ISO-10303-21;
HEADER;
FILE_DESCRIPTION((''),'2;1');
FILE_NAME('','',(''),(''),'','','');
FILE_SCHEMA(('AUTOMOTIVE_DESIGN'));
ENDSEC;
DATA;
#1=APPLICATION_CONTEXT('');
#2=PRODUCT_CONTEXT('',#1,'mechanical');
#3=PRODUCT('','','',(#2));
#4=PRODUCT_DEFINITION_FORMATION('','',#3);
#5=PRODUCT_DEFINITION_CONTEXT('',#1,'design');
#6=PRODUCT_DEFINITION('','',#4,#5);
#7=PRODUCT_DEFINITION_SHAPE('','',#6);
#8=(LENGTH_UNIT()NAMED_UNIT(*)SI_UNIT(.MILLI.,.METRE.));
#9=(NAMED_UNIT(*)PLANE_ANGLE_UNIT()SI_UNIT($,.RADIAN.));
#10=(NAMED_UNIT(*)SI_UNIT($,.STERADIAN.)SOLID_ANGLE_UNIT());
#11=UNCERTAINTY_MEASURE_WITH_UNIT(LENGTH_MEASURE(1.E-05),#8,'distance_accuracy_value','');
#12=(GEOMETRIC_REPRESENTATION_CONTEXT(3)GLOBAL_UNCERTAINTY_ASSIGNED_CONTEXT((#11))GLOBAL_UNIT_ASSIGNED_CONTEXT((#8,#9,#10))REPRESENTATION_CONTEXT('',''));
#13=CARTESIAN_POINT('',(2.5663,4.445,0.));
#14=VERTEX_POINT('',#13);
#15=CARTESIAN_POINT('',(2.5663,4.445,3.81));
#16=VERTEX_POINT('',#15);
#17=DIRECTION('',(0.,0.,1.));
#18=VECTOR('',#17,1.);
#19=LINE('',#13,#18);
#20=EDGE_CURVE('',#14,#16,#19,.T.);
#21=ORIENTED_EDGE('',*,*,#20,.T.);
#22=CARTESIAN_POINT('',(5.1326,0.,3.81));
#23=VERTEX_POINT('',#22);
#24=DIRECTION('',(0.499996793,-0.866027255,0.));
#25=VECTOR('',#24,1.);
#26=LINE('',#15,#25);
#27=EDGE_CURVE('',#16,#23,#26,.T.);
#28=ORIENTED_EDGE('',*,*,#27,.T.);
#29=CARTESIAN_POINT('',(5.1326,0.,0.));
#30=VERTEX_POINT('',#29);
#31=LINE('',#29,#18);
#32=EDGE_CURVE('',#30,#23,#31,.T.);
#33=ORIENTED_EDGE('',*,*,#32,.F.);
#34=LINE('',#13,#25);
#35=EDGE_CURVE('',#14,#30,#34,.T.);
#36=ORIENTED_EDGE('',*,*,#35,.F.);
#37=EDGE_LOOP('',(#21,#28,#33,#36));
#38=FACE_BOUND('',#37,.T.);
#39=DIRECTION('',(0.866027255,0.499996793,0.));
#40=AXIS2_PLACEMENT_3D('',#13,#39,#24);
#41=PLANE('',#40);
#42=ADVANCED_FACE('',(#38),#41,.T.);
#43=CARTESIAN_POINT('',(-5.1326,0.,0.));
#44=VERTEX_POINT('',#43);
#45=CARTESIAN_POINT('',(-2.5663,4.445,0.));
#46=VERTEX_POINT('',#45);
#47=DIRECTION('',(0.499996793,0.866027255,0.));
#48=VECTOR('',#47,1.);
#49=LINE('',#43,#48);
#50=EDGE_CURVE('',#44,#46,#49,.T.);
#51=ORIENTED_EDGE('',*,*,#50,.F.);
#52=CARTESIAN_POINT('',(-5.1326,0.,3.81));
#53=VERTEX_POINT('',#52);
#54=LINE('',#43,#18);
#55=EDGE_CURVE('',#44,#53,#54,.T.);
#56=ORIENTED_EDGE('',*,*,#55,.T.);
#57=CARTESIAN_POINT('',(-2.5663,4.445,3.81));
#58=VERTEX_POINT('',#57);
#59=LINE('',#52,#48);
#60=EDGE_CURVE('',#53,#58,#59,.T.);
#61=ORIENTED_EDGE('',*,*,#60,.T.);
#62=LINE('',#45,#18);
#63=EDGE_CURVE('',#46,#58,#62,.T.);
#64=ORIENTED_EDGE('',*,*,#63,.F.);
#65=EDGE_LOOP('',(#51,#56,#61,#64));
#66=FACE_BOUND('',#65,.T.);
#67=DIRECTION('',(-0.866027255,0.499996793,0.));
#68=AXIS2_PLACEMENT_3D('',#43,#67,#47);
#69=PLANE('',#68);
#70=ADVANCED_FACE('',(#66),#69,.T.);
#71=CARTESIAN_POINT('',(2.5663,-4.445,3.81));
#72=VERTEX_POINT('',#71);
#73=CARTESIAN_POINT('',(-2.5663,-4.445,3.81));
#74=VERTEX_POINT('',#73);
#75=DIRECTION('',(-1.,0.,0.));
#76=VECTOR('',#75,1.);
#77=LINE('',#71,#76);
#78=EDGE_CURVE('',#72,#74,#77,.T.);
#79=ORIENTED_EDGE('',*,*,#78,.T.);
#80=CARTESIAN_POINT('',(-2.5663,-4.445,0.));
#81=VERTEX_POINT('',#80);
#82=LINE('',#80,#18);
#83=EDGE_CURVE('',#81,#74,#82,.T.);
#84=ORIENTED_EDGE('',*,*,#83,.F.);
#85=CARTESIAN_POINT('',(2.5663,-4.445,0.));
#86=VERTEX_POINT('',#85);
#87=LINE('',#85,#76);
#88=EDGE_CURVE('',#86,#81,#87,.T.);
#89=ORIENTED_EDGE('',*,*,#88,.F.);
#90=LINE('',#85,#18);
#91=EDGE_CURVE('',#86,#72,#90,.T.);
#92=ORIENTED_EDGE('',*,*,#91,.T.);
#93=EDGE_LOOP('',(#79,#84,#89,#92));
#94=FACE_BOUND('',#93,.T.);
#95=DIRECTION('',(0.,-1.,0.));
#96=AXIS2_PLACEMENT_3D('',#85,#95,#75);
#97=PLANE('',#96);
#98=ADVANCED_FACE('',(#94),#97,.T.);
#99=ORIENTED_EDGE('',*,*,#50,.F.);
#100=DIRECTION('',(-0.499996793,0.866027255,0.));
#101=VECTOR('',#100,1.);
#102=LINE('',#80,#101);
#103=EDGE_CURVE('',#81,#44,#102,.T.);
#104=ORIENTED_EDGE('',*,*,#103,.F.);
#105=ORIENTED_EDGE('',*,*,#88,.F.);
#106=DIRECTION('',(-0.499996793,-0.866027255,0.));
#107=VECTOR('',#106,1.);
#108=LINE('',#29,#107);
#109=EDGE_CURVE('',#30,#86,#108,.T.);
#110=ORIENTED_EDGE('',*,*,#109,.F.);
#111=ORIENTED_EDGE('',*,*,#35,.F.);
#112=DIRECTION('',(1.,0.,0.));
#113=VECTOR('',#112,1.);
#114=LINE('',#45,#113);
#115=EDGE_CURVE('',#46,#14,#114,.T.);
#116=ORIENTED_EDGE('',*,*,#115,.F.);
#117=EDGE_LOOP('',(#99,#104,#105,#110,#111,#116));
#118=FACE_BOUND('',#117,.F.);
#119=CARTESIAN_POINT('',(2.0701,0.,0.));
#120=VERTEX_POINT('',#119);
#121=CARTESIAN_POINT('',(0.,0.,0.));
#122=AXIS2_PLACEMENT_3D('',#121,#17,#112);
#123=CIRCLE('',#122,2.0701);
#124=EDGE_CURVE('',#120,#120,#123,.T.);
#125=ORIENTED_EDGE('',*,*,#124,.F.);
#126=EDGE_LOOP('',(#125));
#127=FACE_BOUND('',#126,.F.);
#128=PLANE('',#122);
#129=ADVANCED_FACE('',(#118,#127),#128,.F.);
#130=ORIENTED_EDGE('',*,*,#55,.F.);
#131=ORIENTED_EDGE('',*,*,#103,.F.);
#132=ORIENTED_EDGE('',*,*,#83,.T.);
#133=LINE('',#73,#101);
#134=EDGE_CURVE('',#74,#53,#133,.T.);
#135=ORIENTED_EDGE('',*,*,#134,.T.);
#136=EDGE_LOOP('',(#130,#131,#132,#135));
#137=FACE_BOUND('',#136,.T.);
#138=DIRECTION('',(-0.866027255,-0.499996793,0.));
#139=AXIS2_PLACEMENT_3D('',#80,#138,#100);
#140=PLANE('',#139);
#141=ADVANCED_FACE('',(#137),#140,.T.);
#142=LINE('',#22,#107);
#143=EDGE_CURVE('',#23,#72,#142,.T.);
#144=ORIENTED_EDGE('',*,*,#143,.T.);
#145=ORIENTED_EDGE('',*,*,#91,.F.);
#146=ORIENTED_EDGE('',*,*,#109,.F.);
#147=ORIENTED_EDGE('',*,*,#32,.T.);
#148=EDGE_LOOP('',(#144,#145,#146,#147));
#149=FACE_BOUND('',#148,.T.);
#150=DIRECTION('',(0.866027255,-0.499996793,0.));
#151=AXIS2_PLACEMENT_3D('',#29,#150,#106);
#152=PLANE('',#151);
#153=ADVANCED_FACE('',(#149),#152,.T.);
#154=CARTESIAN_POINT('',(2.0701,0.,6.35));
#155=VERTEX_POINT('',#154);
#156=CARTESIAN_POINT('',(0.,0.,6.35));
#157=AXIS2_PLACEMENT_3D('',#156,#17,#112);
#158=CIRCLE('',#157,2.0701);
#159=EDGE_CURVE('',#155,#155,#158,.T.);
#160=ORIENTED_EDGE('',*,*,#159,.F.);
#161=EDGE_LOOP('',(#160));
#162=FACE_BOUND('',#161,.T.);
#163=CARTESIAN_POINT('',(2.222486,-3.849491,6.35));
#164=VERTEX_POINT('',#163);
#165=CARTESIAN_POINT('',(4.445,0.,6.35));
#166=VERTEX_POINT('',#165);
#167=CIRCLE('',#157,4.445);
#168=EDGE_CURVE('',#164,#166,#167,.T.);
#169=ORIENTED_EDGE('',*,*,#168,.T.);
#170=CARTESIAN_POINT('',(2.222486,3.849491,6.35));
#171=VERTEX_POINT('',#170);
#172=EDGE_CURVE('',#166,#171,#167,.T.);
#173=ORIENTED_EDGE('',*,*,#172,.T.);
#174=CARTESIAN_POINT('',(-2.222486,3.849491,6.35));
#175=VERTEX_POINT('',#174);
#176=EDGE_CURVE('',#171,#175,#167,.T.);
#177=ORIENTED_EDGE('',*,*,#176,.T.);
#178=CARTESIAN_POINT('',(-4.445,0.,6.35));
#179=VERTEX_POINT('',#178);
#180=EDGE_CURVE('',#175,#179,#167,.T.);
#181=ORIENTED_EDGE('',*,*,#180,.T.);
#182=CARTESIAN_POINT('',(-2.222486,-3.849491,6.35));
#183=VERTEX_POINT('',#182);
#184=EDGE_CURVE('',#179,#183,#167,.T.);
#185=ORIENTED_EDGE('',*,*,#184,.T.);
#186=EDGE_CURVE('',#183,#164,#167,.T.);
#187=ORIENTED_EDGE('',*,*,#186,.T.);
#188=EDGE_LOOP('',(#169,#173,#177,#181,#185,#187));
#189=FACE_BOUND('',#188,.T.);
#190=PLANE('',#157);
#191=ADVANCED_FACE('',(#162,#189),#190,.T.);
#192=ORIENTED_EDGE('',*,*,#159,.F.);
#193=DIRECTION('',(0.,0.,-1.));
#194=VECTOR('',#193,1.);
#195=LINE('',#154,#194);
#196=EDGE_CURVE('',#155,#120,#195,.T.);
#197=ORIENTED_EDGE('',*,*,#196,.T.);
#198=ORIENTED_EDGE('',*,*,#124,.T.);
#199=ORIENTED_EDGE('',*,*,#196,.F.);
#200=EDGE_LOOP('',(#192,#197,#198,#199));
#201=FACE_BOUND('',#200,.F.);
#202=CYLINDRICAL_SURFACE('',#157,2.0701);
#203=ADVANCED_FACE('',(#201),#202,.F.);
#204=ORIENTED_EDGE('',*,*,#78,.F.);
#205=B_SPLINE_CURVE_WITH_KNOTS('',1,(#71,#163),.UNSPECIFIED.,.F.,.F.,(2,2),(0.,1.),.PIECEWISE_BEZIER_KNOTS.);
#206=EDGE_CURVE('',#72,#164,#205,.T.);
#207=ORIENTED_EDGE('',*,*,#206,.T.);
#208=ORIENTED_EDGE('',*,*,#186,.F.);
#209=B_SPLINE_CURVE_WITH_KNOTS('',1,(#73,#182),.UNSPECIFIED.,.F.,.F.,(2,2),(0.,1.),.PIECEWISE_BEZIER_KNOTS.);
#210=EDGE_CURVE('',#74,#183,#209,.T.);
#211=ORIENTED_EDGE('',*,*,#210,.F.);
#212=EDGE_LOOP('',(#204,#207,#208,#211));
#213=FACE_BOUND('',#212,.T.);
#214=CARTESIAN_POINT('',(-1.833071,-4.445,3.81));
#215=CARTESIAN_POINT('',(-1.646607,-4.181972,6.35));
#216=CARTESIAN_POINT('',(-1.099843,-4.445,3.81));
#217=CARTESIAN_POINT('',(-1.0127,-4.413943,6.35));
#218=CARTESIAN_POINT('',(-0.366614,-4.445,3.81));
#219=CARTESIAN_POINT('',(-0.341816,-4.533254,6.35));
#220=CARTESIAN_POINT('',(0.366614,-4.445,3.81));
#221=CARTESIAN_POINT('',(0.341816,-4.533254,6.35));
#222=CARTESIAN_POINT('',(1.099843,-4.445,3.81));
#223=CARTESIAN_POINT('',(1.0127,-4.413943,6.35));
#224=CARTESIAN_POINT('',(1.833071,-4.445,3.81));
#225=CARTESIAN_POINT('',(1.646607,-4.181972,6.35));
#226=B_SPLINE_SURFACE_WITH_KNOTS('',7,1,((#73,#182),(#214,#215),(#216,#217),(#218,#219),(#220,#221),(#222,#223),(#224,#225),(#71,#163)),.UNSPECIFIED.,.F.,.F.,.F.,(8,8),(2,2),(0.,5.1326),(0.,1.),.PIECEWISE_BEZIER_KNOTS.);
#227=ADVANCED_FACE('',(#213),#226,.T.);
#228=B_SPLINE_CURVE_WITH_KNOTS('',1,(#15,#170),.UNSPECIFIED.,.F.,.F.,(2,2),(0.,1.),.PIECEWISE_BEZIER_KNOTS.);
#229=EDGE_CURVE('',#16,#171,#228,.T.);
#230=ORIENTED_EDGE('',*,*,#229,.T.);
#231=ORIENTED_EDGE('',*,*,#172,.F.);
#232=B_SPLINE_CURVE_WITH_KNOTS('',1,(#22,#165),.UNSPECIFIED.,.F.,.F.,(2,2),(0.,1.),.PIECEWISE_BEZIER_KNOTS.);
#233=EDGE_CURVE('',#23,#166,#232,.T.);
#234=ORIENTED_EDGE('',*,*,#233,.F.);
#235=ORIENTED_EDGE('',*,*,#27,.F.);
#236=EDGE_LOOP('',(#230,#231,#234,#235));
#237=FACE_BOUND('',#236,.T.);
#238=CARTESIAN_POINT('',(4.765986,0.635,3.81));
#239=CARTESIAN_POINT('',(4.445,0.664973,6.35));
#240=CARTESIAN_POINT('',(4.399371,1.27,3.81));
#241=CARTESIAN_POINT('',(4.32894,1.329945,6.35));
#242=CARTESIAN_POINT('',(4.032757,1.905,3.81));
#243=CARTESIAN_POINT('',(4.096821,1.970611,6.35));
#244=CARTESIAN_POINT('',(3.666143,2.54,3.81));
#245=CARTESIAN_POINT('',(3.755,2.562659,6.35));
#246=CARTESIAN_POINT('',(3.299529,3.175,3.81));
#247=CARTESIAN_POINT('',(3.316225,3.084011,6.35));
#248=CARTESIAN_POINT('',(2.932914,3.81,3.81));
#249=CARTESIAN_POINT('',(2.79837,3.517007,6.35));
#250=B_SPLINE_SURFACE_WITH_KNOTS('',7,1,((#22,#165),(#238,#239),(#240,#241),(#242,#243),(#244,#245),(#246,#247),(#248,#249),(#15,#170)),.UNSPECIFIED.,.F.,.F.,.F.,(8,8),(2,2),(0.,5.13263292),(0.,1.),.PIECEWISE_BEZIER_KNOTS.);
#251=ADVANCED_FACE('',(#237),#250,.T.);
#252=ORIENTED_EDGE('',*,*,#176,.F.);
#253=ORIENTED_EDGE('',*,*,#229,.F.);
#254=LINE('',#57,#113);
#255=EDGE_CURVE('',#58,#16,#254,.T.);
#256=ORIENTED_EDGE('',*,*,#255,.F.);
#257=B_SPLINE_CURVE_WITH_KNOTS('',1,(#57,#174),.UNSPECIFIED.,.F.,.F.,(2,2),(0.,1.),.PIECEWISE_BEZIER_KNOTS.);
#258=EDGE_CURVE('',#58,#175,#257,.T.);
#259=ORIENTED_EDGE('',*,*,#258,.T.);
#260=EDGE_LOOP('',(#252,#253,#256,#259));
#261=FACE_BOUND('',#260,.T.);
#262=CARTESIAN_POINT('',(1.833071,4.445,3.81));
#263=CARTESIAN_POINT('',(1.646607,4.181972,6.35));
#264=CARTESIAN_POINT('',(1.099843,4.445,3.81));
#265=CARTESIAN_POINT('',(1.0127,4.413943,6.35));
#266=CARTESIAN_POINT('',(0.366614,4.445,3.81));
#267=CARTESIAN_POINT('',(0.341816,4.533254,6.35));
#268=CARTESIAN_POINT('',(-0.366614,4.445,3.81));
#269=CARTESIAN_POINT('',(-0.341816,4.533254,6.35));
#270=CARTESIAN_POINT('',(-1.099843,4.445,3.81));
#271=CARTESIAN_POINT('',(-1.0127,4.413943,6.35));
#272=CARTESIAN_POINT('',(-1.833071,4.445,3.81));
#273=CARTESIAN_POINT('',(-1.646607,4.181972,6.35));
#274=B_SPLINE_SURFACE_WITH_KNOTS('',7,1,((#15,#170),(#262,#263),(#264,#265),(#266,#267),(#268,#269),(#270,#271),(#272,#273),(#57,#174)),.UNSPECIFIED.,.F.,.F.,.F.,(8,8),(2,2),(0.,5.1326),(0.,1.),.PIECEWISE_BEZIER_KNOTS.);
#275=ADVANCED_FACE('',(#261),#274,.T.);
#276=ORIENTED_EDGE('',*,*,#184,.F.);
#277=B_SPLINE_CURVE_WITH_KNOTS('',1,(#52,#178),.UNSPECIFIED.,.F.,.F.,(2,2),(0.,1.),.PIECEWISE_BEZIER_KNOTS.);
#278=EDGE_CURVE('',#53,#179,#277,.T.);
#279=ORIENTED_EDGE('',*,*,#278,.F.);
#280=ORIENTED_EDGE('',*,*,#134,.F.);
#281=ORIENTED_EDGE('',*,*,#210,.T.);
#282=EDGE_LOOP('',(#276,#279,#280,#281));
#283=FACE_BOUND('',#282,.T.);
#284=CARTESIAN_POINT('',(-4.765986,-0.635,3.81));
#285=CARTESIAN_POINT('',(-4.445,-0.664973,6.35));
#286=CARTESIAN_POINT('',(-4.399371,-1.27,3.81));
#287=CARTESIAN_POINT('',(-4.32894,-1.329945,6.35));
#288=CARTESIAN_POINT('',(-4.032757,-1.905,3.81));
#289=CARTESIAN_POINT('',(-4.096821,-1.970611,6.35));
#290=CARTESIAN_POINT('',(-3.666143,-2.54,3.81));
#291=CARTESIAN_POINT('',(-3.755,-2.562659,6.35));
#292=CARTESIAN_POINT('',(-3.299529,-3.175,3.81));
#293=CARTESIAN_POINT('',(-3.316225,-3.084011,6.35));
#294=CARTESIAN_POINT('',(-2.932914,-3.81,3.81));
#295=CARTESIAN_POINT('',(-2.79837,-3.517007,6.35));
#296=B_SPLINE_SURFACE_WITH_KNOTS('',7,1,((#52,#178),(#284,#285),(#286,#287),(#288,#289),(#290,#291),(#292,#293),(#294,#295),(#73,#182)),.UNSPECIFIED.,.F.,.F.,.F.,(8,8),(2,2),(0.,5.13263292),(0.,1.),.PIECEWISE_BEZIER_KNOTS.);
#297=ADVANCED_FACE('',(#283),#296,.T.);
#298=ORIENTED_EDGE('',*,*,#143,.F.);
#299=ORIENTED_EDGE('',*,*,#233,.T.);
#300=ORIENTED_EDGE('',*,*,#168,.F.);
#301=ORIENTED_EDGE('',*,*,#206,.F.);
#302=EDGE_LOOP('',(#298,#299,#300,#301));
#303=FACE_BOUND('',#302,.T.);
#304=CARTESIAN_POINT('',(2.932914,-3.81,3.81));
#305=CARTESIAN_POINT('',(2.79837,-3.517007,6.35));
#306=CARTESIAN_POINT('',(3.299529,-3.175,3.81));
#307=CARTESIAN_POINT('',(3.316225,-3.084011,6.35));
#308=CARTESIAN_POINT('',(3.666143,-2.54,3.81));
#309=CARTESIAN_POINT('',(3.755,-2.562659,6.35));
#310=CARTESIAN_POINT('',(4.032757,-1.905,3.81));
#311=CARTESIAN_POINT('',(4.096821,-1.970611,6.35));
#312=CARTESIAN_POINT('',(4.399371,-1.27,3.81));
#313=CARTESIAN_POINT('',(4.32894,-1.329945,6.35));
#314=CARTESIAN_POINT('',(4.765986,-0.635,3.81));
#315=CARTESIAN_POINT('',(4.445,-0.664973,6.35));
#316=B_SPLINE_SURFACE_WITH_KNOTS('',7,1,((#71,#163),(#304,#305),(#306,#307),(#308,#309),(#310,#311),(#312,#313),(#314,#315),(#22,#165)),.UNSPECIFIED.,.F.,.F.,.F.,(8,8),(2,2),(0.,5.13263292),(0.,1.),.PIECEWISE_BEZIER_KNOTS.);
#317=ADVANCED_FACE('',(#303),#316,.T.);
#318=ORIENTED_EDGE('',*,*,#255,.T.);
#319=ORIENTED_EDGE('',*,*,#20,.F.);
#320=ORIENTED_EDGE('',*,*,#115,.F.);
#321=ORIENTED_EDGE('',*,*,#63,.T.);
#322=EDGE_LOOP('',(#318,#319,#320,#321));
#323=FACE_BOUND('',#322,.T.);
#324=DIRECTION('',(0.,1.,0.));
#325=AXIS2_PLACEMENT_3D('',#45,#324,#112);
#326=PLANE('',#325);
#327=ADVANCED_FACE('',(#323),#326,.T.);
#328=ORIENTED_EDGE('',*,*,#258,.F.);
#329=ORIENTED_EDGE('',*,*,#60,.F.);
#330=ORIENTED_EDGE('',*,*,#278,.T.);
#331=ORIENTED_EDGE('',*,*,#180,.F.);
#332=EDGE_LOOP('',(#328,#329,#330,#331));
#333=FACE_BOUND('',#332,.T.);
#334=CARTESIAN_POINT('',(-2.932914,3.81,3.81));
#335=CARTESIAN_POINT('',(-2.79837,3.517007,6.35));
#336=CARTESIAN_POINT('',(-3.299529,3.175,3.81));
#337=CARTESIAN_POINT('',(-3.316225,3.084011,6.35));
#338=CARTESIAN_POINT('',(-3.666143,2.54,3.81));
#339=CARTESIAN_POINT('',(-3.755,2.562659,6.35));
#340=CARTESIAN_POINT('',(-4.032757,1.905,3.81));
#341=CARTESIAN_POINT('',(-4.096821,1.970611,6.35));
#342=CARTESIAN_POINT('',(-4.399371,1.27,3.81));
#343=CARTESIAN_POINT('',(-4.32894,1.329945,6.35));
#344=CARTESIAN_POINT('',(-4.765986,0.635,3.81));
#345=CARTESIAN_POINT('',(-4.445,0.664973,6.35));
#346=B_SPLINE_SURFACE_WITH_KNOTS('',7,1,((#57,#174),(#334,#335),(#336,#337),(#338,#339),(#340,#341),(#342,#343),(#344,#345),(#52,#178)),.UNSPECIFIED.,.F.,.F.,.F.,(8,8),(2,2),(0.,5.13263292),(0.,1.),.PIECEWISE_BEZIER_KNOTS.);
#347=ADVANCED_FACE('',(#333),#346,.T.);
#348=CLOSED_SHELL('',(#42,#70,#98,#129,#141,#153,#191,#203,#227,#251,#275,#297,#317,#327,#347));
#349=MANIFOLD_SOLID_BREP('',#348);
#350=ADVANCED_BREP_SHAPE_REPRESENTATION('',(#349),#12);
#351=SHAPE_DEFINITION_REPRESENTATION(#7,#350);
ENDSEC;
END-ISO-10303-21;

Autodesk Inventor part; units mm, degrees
ref_plane "YZ Plane" through (0, 0, 0) normal (1, 0, 0) x (0, 1, 0)
ref_plane "XZ Plane" through (0, 0, 0) normal (0, 1, 0) x (-1, 0, 0)
sketch "Sketch1" plane through (0, 0, 0) normal (0, 0, 1) x (1, 0, 0)
  line L0 (2.5663, 4.445) -> (5.1326, 0)
  line L1 (5.1326, 0) -> (2.5663, -4.445)
  line L2 (2.5663, -4.445) -> (-2.5663, -4.445)
  line L3 (-2.5663, -4.445) -> (-5.1326, 0)
  line L4 (-5.1326, 0) -> (-2.5663, 4.445)
  line L5 (-2.5663, 4.445) -> (2.5663, 4.445)
  line L6 (0, 0) -> (0.7817, 0)
  dimension "d0" = 8.89
extrude "Extrusion1" add sketch "Sketch1" along normal blind 3.81
sketch "Sketch2" plane through (0, 0, 3.81) normal (0, 0, 1) x (1, 0, 0)
  line L0 (5.1326, 0) -> (2.5663, 4.445) projected
  line L1 (2.5663, 4.445) -> (-2.5663, 4.445) projected
  line L2 (-2.5663, 4.445) -> (-5.1326, 0) projected
  line L3 (-5.1326, 0) -> (-2.5663, -4.445) projected
  line L4 (-2.5663, -4.445) -> (2.5663, -4.445) projected
  line L5 (2.5663, -4.445) -> (5.1326, 0) projected
  point P0 (0, 0)
ref_plane "Work Plane1" through (0, 0, 6.35) normal (0, 0, 1) x (1, 0, 0)
sketch "Sketch3" plane through (0, 0, 6.35) normal (0, 0, 1) x (1, 0, 0)
  circle A0 centre (0, 0) radius 4.445
  dimension "d4" = 8.89
loft "Loft1" add profiles "Sketch2", "Sketch3"
sketch "Sketch4" plane through (0, 0, 6.35) normal (0, 0, 1) x (1, 0, 0)
  circle A0 centre (0, 0) radius 2.0701
  dimension "d9" = 4.1402
extrude "Extrusion2" cut sketch "Sketch4" against normal blind 25.4
properties part number "RobotArm Nut3"
